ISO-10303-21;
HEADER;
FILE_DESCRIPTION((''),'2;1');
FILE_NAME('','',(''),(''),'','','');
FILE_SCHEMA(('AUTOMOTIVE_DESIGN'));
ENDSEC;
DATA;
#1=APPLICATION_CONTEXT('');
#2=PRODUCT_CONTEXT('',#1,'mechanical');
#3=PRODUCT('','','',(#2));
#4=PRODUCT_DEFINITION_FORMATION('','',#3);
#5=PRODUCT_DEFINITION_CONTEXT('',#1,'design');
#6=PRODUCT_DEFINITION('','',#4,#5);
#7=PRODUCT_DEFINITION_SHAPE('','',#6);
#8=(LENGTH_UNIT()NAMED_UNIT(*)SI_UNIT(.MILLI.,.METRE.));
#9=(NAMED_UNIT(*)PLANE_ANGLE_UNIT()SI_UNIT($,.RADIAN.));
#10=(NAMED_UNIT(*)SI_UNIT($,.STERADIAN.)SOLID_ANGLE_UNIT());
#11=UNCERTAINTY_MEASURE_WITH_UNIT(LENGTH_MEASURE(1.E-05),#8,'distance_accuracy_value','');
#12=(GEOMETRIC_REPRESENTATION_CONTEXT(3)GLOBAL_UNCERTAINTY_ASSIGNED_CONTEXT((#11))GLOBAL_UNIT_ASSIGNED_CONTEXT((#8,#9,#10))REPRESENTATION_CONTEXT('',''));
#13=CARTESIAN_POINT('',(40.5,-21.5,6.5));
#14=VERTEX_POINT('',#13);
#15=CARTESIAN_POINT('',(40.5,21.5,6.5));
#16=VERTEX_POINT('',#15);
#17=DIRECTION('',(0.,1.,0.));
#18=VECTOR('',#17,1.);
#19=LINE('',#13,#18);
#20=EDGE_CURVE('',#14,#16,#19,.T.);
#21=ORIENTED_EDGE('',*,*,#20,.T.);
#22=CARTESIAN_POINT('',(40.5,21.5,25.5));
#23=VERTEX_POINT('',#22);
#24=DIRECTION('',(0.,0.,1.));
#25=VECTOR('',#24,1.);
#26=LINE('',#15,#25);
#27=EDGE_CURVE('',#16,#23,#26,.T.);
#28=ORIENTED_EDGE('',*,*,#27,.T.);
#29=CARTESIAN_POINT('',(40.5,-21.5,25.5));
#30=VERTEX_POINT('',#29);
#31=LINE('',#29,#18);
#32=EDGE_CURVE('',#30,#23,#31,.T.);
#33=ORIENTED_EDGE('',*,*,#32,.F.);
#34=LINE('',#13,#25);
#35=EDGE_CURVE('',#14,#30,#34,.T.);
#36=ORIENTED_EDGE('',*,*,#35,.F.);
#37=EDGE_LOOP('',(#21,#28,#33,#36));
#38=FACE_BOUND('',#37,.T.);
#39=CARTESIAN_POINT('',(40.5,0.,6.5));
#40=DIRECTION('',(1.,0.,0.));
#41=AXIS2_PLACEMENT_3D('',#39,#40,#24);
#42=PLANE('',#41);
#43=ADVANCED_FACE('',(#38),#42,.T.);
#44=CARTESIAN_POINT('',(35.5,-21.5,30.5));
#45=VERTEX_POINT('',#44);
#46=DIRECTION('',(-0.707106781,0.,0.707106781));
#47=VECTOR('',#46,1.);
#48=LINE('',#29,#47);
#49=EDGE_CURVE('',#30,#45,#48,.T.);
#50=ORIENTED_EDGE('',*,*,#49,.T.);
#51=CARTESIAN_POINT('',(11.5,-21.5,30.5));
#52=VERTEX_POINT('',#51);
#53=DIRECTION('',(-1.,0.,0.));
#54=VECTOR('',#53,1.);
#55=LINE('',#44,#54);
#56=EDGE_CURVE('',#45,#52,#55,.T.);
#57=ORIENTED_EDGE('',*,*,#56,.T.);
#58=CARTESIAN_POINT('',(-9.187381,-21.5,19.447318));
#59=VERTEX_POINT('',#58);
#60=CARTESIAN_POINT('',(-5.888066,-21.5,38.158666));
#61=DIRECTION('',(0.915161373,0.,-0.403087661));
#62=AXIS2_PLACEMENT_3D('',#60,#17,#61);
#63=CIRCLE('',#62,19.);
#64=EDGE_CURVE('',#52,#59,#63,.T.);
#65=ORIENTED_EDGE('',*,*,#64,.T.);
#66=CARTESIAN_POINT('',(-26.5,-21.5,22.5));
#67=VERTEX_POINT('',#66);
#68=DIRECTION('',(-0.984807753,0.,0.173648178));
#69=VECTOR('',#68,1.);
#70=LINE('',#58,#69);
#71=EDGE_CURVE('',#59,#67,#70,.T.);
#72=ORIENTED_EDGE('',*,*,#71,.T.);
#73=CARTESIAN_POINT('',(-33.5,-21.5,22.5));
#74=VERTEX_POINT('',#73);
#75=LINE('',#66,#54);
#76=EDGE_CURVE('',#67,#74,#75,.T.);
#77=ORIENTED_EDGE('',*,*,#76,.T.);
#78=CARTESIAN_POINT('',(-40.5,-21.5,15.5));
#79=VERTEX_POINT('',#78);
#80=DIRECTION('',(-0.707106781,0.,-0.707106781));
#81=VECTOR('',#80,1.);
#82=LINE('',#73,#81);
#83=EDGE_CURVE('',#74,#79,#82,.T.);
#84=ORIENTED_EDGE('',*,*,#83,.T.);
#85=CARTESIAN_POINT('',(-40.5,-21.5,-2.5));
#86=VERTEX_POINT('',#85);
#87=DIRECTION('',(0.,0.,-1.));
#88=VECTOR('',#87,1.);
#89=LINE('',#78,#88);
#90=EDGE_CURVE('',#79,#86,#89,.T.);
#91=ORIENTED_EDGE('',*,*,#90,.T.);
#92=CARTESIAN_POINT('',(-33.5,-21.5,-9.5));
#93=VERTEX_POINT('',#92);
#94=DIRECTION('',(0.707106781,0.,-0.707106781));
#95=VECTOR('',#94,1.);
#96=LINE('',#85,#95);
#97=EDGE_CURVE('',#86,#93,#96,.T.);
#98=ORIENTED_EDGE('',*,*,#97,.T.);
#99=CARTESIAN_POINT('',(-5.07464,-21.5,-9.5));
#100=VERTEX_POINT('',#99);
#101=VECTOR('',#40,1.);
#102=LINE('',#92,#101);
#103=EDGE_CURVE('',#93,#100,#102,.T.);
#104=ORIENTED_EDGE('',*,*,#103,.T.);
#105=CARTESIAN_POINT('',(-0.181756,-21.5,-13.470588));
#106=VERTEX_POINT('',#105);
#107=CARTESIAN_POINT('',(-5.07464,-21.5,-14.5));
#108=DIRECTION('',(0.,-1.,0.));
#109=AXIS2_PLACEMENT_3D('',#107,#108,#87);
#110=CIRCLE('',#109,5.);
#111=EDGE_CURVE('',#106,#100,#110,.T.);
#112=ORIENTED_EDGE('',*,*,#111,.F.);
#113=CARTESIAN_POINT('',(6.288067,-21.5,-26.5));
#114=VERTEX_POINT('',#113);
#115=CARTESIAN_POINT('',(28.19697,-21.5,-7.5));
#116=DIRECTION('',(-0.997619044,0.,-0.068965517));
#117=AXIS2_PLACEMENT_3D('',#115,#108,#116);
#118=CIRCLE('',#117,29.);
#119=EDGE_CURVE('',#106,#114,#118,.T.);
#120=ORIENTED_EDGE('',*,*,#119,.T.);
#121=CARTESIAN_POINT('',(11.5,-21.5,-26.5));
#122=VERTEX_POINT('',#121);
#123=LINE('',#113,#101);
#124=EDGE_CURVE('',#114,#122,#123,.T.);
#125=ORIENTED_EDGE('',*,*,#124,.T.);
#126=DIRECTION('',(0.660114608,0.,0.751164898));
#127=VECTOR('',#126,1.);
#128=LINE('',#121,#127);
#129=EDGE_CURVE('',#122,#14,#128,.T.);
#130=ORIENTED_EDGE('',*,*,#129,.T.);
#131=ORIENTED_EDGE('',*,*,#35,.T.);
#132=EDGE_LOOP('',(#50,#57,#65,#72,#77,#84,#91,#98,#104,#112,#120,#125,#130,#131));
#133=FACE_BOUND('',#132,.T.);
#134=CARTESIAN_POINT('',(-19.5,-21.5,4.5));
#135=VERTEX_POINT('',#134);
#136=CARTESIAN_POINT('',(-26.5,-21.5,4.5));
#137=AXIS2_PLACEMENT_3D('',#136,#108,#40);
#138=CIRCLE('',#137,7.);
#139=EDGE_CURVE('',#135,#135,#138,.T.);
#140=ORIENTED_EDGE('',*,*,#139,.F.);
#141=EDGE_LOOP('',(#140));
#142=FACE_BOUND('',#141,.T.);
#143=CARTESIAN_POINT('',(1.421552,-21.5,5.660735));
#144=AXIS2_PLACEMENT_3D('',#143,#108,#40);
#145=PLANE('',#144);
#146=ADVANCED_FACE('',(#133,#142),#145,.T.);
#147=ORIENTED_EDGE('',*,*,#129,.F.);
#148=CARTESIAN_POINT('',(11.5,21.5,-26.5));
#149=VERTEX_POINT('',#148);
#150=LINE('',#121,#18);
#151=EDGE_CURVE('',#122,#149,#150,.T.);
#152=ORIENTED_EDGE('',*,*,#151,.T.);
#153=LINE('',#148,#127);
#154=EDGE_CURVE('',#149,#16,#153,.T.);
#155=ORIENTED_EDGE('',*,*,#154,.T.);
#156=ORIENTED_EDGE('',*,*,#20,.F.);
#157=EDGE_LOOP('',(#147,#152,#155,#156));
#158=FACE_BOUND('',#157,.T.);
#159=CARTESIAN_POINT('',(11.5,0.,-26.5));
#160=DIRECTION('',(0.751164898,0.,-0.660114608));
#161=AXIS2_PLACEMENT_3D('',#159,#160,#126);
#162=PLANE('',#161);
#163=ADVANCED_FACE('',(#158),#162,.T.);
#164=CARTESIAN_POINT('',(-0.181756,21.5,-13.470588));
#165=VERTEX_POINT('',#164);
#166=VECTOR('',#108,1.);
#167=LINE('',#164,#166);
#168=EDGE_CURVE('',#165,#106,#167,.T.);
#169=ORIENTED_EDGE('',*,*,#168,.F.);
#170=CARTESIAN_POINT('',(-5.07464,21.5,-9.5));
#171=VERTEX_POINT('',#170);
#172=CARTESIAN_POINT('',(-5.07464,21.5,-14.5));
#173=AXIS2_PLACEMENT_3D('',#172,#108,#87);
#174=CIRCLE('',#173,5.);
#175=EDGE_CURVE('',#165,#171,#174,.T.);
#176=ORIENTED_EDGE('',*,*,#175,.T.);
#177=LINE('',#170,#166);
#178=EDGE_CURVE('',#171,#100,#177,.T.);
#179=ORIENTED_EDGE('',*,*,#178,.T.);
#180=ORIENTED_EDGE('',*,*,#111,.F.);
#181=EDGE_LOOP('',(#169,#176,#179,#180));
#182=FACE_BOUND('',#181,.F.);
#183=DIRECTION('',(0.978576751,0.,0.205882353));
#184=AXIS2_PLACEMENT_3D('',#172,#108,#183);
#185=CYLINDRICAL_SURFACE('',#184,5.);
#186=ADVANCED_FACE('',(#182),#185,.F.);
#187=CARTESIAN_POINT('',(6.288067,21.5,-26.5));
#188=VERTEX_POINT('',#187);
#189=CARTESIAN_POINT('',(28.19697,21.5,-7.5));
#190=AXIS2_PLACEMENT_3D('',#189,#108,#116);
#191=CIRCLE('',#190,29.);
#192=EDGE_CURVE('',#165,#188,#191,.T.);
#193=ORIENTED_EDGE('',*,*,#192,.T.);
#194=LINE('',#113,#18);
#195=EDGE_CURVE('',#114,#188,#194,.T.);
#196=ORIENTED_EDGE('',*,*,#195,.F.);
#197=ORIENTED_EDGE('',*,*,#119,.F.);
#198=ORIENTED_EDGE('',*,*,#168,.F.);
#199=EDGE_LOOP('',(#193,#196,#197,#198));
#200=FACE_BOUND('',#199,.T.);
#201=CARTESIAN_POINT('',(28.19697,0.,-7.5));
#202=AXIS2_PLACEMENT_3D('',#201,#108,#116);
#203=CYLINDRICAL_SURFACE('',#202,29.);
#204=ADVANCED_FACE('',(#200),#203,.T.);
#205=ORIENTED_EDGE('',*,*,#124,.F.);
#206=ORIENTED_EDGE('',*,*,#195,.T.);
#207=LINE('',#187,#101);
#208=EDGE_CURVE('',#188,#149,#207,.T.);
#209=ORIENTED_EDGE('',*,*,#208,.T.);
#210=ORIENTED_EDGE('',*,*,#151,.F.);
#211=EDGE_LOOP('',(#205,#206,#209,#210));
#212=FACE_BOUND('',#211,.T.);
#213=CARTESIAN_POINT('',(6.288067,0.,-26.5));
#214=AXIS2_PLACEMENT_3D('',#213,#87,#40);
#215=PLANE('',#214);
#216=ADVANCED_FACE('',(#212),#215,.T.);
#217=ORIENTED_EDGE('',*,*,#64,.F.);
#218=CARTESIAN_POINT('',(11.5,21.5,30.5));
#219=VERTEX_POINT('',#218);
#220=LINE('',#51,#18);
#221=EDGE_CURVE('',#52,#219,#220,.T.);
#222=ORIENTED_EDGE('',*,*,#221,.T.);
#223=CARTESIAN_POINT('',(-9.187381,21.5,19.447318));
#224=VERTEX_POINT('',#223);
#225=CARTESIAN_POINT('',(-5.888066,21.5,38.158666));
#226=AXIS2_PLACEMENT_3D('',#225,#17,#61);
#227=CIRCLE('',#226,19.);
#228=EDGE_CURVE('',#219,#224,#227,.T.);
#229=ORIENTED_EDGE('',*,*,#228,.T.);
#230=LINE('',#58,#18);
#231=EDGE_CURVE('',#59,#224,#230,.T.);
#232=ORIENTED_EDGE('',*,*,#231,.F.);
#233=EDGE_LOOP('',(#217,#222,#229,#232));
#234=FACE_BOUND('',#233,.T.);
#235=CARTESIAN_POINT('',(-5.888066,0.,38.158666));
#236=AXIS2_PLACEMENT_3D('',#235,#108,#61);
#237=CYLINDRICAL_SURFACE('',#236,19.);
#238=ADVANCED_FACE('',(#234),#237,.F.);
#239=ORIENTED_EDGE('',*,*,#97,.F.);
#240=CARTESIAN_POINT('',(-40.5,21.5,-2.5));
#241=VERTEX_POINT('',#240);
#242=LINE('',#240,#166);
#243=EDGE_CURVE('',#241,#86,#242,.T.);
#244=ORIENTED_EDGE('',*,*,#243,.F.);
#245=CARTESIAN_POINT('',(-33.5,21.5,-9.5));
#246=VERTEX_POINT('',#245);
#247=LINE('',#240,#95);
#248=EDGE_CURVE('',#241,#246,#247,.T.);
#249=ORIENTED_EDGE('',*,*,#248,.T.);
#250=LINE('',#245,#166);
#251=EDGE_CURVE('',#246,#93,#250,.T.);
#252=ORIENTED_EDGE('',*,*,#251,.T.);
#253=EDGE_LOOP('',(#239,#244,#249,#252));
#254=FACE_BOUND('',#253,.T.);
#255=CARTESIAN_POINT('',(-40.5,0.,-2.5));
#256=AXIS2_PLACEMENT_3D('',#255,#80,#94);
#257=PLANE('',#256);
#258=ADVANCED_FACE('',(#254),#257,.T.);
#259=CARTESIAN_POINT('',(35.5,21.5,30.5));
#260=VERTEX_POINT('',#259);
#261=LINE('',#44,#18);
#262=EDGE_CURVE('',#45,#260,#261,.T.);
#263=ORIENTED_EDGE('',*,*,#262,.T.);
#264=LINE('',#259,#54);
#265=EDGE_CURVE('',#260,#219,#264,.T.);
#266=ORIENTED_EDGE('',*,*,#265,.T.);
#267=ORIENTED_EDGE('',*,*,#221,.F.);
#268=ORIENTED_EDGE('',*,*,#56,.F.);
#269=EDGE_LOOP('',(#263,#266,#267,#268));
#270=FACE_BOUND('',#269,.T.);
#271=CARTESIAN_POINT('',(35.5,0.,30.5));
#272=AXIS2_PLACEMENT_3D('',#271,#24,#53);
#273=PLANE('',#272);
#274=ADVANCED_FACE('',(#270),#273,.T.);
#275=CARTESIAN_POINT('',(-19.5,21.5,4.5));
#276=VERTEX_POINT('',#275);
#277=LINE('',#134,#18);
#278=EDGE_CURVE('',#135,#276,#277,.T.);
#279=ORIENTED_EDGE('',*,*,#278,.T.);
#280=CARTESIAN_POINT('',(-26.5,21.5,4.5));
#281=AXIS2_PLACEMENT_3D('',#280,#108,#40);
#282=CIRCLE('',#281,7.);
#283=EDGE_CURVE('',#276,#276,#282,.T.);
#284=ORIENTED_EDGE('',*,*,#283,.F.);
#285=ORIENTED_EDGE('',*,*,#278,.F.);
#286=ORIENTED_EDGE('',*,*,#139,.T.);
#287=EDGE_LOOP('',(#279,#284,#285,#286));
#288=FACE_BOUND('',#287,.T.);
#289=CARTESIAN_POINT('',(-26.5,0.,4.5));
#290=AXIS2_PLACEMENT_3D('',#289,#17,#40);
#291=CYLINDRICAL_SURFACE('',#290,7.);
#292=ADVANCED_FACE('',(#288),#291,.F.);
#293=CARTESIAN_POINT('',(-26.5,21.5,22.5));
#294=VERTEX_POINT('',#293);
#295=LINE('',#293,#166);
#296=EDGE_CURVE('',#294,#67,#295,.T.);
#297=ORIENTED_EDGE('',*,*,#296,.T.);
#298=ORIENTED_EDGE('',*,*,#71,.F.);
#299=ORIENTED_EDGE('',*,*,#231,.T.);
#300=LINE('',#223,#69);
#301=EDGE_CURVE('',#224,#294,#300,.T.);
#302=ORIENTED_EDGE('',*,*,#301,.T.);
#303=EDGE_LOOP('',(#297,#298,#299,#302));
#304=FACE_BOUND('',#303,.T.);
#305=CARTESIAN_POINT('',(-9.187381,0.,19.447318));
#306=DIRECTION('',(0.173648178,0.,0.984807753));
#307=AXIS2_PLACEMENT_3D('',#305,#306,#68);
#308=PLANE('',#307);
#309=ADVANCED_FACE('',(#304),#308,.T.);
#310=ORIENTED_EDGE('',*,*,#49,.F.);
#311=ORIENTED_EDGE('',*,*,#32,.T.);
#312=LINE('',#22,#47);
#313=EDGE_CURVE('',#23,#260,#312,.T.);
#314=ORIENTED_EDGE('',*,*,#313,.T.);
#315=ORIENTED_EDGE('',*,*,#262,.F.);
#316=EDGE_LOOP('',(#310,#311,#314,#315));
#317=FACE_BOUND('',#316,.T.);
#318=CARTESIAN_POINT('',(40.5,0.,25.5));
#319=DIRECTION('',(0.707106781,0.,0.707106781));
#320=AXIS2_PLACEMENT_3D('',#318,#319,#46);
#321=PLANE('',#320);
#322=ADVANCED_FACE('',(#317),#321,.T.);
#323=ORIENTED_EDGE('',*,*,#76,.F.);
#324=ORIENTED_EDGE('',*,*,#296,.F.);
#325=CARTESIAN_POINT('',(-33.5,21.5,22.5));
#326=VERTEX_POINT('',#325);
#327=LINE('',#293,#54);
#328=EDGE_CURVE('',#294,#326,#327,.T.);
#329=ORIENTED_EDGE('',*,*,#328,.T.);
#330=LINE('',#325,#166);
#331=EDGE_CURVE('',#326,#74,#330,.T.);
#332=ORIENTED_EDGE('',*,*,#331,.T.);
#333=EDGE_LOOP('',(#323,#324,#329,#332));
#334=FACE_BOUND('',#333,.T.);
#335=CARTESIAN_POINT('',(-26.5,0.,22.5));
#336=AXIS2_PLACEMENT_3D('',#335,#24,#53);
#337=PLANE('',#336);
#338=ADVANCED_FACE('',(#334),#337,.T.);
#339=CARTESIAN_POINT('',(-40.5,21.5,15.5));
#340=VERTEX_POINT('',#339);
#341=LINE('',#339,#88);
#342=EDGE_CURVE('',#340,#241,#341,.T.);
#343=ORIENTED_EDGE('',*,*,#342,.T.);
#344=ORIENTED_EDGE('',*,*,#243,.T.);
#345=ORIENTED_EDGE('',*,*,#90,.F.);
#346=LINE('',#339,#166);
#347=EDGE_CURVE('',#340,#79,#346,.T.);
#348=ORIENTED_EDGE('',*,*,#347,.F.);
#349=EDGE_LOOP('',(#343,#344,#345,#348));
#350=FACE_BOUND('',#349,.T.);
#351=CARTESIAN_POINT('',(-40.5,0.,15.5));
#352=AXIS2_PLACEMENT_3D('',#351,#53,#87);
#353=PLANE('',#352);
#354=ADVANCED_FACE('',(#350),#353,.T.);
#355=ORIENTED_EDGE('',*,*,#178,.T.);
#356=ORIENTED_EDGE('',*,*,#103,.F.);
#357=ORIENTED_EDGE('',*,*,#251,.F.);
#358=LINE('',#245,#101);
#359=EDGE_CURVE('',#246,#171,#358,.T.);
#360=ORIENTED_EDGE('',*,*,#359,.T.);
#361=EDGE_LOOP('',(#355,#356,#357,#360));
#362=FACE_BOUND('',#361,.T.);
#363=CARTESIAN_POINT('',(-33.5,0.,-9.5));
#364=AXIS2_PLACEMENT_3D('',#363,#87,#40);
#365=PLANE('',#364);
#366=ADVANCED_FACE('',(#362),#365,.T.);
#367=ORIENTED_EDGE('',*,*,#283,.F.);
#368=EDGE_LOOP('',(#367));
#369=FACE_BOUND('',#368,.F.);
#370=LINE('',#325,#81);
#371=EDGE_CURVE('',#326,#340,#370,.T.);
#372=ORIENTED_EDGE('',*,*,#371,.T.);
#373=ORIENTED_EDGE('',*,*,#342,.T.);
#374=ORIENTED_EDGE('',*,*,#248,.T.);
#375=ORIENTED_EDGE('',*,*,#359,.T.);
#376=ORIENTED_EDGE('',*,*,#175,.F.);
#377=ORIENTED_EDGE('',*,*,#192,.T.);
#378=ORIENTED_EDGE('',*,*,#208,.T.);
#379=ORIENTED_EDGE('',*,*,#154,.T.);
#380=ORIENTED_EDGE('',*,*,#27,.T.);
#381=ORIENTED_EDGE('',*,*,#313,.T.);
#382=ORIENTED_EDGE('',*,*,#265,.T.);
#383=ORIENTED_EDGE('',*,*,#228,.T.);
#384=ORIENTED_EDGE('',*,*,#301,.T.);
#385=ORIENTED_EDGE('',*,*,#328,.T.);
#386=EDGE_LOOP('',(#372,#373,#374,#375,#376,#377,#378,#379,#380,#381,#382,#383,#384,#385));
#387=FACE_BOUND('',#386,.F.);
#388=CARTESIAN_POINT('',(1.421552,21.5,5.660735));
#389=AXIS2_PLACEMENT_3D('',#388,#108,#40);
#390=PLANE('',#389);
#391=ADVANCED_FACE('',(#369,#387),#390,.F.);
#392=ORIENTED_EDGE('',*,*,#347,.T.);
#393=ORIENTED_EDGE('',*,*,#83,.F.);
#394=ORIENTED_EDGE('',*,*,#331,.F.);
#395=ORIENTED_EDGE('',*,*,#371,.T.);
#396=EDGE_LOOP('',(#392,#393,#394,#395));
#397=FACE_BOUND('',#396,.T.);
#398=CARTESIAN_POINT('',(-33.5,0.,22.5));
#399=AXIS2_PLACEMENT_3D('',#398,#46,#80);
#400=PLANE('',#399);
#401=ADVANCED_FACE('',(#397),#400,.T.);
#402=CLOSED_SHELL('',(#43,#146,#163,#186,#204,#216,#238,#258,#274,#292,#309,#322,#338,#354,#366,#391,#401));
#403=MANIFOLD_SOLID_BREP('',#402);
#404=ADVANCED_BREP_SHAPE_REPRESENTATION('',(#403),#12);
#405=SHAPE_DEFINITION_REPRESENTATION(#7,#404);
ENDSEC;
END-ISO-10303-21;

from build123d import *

# Parameters (mm, degrees)
F0_R     = 7
F1_DEPTH = 21.5
F2_R     = 5


with BuildPart() as f1:
    # F0 (on Front) → F1 (new body, symmetric)
    with BuildSketch(Plane.XZ):
        with BuildLine():
            Line((-9.187381455, 19.4473182438), (-26.5, 22.5))
            Line((-26.5, 22.5), (-33.5, 22.5))
            Line((-33.5, 22.5), (-40.5, 15.5))
            Line((-40.5, 15.5), (-40.5, -2.5))
            Line((-40.5, -2.5), (-33.5, -9.5))
            Line((-33.5, -9.5), (-0.733982586, -9.5))
            ThreePointArc((-0.733982586, -9.5), (1.3935612661, -18.5714631594), (6.2880673968, -26.5))
            Line((6.2880673968, -26.5), (11.5, -26.5))
            Line((11.5, -26.5), (40.5, 6.5))
            Line((40.5, 6.5), (40.5, 25.5))
            Line((40.5, 25.5), (35.5, 30.5))
            Line((35.5, 30.5), (11.5, 30.5))
            ThreePointArc((11.5, 30.5), (3.0653504529, 21.400493443), (-9.187381455, 19.4473182438))
        make_face()
        with Locations((-26.5, 4.5)):
            Circle(F0_R, mode=Mode.SUBTRACT)
    extrude(amount=F1_DEPTH, both=True)

    # F2
    f2_edges = [f1.edges().sort_by_distance(p)[0] for p in [
        (-0.733983, 0, -9.5),
    ]]
    fillet(f2_edges, radius=F2_R)


solid = f1.part
